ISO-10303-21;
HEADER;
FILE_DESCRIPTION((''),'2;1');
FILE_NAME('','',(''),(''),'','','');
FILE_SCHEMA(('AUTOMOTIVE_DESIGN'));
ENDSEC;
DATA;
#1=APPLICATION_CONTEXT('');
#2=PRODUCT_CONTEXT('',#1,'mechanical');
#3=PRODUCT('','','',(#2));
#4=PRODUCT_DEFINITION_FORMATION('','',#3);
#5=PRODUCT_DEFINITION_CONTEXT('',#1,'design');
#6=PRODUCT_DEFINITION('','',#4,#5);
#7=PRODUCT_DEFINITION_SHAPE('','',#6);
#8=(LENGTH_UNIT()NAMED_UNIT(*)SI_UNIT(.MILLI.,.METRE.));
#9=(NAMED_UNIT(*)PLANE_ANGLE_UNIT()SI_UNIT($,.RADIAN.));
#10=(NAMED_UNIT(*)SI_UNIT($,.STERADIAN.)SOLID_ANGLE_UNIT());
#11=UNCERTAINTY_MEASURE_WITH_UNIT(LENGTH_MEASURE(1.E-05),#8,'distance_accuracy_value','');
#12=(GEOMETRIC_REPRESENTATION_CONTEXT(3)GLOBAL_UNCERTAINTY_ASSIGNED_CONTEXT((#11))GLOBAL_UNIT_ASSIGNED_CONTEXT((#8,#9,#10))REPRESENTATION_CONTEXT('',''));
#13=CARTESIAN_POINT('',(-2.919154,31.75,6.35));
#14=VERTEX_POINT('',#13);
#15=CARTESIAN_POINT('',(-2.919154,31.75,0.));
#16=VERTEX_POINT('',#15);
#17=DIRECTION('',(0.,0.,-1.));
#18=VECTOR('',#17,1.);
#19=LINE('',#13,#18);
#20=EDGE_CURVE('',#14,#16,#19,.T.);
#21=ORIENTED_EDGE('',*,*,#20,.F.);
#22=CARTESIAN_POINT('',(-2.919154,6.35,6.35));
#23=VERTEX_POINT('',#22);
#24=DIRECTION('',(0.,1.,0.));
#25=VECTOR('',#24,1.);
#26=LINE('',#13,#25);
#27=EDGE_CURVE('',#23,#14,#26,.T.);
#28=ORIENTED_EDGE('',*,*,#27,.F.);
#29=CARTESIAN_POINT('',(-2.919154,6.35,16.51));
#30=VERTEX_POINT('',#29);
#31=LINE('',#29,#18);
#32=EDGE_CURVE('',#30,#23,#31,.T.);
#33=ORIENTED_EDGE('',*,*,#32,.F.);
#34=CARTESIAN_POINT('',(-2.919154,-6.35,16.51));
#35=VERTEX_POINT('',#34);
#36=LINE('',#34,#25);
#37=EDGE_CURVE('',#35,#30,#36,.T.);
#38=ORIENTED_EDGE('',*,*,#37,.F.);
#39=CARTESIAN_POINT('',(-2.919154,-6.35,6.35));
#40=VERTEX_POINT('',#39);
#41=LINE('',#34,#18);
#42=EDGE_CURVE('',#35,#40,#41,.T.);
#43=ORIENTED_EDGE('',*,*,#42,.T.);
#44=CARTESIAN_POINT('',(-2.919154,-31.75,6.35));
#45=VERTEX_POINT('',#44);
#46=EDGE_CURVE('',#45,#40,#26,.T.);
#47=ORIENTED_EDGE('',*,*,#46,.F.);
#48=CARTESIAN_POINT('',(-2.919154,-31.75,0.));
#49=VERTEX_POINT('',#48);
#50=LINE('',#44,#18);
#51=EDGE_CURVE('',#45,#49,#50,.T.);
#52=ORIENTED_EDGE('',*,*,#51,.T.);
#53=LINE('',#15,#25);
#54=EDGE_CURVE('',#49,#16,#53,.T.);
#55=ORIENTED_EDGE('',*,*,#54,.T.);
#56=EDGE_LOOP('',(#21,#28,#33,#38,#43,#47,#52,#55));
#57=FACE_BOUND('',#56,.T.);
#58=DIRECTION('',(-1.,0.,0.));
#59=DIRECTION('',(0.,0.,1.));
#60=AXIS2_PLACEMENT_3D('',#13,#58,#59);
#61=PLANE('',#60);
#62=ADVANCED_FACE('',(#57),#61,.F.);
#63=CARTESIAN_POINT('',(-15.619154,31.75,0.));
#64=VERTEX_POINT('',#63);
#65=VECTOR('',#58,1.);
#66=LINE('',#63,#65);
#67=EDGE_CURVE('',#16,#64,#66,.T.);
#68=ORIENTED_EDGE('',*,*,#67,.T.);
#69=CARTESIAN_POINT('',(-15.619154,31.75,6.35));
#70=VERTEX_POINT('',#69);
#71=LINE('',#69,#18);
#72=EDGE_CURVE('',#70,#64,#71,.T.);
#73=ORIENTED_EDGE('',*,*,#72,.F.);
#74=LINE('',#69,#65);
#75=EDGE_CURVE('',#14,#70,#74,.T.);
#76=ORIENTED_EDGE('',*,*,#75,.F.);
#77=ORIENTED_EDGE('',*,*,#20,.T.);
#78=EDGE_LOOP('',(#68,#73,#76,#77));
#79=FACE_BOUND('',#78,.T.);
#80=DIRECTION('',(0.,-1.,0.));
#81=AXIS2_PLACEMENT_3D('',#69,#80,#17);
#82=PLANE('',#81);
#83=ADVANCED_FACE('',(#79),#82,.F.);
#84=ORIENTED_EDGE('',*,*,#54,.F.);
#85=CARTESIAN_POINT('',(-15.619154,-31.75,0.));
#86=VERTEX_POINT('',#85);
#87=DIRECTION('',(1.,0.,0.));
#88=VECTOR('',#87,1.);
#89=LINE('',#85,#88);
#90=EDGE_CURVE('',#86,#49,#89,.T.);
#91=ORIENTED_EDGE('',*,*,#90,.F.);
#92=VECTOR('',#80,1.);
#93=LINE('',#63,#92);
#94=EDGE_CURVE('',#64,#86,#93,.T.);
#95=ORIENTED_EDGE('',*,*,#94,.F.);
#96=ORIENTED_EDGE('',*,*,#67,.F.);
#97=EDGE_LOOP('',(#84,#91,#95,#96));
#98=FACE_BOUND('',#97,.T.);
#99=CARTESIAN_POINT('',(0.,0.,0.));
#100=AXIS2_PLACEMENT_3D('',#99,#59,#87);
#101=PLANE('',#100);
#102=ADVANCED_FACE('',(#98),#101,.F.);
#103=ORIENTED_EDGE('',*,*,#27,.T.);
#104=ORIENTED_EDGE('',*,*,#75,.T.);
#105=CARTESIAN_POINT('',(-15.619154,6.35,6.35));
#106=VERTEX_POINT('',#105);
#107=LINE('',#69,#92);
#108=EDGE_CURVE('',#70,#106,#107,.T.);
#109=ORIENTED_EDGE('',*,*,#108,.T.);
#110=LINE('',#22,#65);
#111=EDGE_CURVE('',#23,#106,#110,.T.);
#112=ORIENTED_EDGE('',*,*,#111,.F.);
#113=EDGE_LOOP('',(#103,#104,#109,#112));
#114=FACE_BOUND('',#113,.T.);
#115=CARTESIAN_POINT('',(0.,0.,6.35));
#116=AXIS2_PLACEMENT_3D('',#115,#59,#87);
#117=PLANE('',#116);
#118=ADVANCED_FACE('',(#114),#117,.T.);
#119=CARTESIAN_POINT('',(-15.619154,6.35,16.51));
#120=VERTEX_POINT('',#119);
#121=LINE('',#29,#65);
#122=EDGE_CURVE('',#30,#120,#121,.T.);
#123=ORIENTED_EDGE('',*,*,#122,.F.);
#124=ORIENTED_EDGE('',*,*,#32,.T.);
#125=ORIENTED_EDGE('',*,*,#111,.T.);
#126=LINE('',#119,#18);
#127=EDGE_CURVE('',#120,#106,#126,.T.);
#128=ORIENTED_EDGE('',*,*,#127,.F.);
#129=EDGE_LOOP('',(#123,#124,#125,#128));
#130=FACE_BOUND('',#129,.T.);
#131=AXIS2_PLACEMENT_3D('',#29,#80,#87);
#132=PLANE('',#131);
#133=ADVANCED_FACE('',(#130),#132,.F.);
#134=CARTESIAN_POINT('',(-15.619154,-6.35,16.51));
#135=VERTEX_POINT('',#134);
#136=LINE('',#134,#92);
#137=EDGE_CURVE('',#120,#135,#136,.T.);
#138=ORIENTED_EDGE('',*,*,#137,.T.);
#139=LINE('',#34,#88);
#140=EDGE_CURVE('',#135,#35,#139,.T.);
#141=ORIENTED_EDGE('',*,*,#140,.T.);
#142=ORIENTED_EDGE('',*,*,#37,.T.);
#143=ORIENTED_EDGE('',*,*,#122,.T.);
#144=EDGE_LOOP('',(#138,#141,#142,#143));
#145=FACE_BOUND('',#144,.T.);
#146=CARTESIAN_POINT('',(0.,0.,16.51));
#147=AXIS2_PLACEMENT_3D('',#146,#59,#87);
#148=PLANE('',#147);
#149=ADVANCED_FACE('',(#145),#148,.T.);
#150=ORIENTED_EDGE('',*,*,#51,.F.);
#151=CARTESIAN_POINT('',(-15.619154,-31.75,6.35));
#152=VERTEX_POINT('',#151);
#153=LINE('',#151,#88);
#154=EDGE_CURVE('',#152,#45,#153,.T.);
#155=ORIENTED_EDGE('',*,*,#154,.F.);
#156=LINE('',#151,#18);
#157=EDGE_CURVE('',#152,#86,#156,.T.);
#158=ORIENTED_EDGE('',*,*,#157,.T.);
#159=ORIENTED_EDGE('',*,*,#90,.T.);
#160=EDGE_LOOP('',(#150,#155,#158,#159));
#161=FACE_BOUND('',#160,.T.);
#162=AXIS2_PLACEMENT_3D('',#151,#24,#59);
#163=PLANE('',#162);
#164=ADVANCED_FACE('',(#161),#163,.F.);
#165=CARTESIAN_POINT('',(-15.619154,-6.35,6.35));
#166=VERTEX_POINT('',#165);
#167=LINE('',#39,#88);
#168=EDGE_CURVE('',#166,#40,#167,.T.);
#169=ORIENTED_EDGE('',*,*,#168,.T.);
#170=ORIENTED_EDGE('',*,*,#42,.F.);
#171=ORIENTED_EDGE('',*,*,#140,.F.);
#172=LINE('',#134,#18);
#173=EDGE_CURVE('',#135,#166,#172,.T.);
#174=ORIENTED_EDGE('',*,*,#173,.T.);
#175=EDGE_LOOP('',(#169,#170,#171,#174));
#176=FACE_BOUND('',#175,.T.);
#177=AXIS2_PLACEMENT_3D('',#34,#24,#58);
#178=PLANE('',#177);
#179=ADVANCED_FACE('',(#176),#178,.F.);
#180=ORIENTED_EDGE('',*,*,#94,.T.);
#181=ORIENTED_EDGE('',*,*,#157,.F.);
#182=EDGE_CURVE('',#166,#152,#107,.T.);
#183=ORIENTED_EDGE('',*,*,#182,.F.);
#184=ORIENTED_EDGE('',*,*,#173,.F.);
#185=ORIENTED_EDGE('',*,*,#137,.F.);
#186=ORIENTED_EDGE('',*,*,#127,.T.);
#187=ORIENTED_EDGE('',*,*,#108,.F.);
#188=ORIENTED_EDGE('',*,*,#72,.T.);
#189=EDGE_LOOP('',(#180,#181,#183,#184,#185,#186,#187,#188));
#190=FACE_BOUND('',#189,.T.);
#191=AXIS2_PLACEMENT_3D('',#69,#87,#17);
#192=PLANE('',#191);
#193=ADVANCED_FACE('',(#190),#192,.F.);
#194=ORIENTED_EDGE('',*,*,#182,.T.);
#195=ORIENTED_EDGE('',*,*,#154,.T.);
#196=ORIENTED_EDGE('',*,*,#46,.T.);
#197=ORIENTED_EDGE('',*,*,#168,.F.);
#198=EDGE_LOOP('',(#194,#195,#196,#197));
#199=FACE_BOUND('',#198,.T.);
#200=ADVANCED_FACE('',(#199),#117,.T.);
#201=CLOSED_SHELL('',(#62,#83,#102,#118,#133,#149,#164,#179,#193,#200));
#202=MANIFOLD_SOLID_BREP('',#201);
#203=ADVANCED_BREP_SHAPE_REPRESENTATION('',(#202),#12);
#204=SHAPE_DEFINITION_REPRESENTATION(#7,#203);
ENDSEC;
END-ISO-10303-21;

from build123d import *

# Parameters (mm, degrees)
SKETCH1_W           = 12.7
SKETCH1_H           = 63.5
BOSS_EXTRUDE1_DEPTH = 6.35
SKETCH2_W           = 12.7
SKETCH2_H           = 12.7
BOSS_EXTRUDE2_DEPTH = 10.16


with BuildPart() as part:
    # Sketch1 → Boss-Extrude1 (new body)
    with BuildSketch(Plane.XY):
        with Locations((-9.26915446, 0)):
            Rectangle(SKETCH1_W, SKETCH1_H)
    extrude(amount=BOSS_EXTRUDE1_DEPTH)

    # Sketch2 → Boss-Extrude2 (add)
    with BuildSketch(Plane.XY.offset(6.35)):
        with Locations((-9.26915446, 0)):
            Rectangle(SKETCH2_W, SKETCH2_H)
    extrude(amount=BOSS_EXTRUDE2_DEPTH)


solid = part.part
